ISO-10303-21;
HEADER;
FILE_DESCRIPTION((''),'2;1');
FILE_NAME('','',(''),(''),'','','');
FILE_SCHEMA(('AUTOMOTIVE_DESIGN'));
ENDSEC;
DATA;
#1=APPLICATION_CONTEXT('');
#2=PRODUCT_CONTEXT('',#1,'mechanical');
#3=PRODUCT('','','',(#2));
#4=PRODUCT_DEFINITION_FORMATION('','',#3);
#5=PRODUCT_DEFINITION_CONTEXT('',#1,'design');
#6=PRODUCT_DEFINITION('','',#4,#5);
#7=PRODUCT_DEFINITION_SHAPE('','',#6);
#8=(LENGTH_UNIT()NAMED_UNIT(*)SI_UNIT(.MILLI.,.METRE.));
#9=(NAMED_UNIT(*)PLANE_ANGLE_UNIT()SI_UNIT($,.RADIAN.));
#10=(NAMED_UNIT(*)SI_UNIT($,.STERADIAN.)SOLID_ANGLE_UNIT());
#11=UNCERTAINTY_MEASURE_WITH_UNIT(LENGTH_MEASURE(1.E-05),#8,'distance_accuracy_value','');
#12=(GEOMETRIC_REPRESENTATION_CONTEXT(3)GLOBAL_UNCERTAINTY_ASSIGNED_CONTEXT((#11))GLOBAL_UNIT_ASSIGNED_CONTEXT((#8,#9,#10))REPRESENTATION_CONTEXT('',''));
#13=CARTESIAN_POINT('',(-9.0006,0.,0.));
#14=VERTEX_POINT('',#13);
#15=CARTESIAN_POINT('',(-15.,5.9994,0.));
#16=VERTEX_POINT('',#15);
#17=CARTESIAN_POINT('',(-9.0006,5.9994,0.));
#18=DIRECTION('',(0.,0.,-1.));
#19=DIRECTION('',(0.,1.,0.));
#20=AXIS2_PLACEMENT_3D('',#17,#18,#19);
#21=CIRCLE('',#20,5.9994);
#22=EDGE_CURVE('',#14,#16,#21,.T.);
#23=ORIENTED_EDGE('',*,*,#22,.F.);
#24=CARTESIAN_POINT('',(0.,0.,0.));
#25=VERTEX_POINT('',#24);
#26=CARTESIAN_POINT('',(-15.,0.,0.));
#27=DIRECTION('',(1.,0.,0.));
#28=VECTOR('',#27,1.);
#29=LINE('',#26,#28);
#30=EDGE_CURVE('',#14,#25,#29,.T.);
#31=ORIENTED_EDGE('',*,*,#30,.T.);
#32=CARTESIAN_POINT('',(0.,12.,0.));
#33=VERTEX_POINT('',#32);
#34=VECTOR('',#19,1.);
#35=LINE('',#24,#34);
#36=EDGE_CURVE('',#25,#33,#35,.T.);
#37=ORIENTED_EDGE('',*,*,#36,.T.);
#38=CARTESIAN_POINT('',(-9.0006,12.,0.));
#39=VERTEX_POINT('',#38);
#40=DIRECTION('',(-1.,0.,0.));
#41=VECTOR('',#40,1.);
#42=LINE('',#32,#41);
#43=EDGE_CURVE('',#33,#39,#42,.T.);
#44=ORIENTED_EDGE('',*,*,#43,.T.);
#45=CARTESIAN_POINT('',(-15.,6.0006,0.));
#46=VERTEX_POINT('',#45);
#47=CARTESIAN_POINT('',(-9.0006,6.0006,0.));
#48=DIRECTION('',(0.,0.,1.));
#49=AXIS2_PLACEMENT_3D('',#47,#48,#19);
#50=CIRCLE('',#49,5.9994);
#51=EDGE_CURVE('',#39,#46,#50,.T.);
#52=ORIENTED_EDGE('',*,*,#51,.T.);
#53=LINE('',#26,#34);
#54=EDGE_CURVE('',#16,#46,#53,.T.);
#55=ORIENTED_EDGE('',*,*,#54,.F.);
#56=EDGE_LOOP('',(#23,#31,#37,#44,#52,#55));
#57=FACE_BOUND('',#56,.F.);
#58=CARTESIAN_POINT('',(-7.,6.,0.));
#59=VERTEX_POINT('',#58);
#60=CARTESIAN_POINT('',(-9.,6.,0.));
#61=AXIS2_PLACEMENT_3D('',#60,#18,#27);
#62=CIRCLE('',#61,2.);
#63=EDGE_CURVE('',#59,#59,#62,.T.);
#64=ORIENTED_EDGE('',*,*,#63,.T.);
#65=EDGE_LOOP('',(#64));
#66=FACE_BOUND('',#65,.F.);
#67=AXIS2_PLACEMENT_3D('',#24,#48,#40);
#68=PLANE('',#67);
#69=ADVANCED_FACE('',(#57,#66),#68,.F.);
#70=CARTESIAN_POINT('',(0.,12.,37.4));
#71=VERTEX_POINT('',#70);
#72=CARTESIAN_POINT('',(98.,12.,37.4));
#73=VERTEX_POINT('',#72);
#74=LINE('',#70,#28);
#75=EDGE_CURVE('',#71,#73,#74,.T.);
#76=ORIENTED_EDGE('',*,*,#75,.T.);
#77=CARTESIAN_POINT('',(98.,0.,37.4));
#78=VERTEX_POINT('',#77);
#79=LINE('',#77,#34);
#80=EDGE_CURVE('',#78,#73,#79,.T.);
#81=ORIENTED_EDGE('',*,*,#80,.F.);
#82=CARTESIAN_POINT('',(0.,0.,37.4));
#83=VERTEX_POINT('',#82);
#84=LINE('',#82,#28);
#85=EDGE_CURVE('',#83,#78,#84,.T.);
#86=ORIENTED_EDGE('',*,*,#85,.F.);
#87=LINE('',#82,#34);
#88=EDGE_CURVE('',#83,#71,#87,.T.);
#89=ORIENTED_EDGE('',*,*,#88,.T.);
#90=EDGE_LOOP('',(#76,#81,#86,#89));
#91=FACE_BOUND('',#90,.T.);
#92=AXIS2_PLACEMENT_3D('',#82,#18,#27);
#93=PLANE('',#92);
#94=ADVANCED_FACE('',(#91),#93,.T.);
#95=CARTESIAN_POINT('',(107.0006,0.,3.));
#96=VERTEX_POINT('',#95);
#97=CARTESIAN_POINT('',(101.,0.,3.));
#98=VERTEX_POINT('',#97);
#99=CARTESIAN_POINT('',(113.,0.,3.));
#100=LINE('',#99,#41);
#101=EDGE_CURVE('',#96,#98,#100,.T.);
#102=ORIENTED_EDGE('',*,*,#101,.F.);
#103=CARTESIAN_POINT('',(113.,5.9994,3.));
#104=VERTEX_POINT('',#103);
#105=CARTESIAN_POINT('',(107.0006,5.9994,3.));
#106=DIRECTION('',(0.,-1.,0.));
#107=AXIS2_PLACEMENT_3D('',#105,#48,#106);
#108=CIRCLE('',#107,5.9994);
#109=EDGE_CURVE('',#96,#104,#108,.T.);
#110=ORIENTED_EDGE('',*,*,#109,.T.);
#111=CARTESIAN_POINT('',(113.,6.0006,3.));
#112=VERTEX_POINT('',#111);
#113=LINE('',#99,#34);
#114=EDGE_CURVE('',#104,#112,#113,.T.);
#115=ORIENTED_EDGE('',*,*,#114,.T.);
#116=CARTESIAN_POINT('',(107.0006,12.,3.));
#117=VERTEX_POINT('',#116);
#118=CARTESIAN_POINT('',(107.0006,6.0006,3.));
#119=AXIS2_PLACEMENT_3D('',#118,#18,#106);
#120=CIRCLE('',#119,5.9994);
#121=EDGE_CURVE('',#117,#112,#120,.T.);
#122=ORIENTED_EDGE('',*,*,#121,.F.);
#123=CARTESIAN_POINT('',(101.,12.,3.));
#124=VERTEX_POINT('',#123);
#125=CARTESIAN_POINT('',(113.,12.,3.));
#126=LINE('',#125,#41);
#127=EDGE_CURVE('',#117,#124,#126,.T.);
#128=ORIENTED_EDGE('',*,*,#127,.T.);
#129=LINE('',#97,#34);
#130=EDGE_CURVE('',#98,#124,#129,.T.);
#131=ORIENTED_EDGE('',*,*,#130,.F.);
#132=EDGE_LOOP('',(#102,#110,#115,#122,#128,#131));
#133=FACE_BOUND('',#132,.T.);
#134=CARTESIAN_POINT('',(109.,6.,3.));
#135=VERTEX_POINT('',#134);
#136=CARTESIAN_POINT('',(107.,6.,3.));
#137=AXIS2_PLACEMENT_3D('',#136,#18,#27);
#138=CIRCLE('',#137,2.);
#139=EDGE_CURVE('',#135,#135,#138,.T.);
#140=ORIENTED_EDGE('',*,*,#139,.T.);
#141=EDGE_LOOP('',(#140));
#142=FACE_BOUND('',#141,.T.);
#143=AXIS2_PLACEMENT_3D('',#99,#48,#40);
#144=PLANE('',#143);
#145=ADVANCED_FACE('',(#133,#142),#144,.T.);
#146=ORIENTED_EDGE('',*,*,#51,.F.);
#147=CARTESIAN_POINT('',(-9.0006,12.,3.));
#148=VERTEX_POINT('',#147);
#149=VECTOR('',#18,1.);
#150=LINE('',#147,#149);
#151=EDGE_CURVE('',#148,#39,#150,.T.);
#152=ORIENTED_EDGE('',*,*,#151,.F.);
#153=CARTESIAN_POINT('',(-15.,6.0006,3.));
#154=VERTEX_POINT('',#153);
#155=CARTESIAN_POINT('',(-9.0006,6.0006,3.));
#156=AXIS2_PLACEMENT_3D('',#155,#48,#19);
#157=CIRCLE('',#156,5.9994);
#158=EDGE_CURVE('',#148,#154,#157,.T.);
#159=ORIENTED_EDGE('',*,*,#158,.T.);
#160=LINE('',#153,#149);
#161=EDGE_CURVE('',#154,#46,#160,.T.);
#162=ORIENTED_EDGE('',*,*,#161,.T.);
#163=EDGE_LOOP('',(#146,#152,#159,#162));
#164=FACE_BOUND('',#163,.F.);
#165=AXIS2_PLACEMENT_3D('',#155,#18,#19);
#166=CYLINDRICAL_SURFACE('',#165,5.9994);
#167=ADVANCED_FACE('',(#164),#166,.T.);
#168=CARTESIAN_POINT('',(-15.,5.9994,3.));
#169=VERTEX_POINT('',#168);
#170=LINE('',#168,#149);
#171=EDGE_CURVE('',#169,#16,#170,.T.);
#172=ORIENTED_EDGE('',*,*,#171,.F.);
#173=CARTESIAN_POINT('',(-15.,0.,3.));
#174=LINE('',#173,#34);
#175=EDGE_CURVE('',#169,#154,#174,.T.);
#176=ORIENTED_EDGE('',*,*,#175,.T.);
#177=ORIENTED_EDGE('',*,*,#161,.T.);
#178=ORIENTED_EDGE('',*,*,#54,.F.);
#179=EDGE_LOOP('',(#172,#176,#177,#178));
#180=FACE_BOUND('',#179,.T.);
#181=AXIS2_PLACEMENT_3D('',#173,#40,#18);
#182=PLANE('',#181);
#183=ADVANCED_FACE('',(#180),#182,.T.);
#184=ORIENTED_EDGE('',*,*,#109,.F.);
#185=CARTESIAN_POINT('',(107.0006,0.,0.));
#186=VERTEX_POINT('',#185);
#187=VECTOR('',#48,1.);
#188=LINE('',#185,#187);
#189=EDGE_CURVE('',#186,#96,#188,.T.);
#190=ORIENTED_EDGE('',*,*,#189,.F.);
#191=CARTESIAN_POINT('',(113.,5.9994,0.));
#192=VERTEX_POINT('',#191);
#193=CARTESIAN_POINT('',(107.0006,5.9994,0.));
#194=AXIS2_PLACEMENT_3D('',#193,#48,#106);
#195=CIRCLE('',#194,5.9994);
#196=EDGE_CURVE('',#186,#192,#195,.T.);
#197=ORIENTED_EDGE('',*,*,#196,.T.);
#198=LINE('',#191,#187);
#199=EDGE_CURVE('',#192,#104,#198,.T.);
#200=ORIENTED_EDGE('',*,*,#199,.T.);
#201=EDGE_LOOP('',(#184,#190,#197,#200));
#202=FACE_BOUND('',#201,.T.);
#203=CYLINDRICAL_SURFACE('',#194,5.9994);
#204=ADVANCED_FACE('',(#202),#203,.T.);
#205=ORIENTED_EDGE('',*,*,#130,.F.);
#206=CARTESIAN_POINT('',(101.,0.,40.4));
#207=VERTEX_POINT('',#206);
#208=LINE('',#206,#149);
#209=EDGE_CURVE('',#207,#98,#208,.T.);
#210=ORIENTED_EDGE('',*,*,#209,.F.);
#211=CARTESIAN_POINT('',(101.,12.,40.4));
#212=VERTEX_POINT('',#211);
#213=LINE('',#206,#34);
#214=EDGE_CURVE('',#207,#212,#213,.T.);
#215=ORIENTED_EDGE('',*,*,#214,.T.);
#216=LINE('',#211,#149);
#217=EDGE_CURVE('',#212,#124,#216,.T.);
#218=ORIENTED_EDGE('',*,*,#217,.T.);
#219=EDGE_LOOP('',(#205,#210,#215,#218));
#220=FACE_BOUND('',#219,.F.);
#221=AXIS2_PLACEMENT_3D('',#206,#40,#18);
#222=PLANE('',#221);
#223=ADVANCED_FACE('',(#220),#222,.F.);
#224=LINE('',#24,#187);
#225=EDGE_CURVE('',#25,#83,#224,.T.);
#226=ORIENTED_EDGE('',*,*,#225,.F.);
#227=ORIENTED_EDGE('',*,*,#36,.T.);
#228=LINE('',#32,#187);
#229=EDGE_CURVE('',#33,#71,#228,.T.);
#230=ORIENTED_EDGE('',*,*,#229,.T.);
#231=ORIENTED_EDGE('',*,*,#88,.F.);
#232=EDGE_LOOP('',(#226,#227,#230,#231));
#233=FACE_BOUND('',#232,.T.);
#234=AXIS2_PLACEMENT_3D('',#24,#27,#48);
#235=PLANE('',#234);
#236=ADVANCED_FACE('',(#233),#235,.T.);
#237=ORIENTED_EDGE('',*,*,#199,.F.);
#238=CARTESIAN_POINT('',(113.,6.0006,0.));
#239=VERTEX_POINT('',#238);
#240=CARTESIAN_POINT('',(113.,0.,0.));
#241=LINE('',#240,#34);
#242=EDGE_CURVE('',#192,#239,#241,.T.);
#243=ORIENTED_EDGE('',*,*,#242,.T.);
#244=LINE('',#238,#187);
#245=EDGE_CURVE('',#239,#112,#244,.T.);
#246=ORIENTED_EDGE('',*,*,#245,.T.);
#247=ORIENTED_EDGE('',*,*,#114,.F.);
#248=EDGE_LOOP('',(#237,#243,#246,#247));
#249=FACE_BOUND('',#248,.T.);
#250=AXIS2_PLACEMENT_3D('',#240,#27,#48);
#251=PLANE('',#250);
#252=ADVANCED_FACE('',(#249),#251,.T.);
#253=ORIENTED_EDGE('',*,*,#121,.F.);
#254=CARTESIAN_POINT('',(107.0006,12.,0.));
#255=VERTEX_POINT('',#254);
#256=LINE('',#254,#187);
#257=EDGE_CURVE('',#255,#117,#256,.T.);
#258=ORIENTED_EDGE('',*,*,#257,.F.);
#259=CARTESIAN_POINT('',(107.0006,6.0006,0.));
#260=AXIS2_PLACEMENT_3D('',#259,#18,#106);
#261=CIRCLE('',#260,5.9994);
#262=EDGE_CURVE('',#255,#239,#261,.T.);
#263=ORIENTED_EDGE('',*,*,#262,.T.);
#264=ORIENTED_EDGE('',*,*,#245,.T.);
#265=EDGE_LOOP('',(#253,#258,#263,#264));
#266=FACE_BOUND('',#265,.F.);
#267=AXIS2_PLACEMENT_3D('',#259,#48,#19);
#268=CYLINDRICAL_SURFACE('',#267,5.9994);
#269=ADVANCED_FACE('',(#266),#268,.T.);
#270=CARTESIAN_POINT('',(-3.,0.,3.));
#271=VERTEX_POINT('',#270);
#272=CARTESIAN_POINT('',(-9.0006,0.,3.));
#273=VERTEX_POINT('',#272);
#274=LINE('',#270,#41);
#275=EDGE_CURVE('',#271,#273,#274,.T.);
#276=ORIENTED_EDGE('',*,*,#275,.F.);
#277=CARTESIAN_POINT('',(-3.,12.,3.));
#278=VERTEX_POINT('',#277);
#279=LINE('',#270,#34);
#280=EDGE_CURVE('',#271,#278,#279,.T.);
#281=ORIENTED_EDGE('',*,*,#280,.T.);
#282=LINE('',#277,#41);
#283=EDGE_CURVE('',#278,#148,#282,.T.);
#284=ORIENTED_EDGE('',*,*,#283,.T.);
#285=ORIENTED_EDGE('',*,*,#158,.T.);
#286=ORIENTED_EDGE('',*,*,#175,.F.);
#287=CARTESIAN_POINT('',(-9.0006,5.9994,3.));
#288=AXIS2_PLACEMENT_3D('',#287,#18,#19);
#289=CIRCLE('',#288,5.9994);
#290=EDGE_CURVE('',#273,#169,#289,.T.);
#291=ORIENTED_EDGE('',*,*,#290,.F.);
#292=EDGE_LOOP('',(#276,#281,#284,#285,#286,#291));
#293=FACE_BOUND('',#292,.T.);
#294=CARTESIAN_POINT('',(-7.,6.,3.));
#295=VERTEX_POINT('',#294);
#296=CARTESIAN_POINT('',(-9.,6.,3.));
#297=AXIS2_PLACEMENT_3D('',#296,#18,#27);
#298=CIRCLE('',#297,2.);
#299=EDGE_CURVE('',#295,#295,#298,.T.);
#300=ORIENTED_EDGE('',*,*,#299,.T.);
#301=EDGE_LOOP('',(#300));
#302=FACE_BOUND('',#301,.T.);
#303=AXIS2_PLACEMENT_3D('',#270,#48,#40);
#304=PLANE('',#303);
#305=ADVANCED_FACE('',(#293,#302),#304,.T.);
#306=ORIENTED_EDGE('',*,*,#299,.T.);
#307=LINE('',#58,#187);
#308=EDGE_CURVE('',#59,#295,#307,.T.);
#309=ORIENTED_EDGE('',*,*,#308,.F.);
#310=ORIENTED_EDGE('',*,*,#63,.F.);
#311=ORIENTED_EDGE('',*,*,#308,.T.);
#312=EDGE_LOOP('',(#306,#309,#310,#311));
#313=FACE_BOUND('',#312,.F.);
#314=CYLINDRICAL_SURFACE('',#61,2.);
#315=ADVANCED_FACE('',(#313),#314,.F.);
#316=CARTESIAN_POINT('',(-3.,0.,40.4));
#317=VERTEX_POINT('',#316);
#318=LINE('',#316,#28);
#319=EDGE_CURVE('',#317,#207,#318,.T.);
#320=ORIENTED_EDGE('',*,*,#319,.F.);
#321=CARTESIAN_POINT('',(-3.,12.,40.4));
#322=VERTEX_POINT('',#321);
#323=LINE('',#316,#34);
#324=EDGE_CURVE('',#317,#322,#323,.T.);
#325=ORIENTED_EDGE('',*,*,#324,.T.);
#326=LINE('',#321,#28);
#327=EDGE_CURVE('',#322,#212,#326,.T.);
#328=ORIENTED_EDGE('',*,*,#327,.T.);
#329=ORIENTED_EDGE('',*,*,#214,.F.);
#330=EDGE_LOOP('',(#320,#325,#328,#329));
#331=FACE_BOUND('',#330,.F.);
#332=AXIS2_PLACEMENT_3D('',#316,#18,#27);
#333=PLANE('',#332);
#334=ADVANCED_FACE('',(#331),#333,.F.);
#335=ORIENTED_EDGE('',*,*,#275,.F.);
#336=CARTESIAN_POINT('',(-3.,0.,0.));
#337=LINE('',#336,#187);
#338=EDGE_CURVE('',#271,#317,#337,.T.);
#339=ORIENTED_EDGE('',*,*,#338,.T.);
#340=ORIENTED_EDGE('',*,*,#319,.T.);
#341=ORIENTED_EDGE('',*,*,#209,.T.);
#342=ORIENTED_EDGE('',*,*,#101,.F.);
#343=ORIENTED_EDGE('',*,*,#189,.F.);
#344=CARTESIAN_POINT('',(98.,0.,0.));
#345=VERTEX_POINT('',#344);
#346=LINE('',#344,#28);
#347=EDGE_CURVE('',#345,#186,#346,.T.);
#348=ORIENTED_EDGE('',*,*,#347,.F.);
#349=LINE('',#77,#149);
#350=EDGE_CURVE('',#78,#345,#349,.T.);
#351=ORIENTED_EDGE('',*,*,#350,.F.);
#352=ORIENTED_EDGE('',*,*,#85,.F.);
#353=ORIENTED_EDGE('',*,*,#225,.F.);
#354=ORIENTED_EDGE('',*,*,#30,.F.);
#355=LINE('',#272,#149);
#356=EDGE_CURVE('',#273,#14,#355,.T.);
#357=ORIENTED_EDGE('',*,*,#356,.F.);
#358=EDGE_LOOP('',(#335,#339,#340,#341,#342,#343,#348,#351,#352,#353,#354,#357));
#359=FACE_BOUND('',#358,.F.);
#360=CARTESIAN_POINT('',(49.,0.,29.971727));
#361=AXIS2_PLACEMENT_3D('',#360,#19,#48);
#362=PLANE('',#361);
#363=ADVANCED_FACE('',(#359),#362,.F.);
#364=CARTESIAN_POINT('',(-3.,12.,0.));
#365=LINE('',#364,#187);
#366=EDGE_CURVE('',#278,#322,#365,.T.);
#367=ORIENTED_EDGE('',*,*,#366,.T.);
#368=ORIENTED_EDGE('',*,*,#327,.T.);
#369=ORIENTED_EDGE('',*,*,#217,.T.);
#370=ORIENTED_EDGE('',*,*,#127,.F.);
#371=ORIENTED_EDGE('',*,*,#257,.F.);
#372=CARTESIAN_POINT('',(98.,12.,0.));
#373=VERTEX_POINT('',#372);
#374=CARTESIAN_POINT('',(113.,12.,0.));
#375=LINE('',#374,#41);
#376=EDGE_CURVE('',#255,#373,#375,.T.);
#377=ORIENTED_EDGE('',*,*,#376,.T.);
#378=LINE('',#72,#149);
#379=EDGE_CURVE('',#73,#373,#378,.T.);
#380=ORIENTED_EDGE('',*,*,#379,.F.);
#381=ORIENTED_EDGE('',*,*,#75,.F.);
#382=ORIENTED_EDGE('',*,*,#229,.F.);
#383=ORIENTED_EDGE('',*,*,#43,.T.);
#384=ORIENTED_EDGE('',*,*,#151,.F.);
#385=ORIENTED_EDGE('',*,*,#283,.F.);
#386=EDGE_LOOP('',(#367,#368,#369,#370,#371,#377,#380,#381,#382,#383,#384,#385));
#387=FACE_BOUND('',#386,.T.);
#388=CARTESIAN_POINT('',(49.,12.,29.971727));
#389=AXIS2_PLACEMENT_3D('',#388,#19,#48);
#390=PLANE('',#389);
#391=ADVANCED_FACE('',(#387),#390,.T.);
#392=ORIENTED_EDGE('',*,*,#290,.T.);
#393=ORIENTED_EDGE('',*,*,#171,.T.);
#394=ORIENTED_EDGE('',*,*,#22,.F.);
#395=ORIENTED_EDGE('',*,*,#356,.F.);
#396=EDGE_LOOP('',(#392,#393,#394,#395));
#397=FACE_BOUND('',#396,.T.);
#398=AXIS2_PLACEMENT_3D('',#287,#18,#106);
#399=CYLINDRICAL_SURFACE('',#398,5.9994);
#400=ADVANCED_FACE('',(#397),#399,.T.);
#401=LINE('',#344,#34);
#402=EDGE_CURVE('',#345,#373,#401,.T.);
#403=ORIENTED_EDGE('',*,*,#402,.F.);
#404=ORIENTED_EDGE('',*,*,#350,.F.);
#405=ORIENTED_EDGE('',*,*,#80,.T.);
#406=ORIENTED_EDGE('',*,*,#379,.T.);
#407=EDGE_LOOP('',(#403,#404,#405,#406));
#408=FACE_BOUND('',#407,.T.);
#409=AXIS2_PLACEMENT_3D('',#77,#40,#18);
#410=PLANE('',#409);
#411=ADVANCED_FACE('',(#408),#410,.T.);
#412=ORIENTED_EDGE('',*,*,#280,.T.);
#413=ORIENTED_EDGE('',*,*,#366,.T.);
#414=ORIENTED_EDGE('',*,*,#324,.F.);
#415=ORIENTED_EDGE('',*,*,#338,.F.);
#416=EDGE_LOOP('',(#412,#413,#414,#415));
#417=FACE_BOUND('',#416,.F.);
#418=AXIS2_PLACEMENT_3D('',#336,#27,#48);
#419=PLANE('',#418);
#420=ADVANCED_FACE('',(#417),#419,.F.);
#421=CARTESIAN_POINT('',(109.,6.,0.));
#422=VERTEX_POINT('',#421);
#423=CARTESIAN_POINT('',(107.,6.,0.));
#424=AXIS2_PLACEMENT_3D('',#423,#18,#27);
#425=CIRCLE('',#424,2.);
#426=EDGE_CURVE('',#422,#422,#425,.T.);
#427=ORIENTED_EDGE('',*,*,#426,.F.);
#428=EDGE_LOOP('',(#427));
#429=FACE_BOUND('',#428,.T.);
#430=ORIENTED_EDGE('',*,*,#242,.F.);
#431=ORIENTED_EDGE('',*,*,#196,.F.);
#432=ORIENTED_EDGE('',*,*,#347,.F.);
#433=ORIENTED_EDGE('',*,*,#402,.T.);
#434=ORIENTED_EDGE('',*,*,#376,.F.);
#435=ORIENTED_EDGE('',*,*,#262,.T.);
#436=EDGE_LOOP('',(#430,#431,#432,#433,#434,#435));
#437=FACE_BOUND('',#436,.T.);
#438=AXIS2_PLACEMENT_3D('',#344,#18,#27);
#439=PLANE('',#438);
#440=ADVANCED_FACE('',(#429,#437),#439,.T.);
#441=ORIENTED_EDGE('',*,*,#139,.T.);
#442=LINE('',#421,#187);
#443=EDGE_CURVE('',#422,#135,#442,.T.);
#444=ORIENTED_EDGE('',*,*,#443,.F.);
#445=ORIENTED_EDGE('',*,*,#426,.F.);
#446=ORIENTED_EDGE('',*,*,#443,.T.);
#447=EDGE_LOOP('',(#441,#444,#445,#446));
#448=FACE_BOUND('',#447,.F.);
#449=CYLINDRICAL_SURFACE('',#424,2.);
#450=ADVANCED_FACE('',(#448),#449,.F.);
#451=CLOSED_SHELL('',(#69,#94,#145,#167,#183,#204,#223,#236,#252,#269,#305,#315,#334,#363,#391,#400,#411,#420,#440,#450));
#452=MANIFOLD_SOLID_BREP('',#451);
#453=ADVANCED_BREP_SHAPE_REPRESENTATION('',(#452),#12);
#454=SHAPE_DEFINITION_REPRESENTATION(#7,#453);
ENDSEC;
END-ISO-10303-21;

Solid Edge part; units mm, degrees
sketch "Sketch1" plane through (0, 0, 0) normal (0, -1, 0) x (1, 0, 0)
  line L0 (-3, 40.4) -> (101, 40.4)
  line L1 (101, 40.4) -> (101, 0)
  line L2 (98, 0) -> (101, 0)
  line L3 (98, 37.4) -> (98, 0)
  line L4 (0, 37.4) -> (98, 37.4)
  line L5 (0, 0) -> (0, 37.4)
  line L6 (0, 0) -> (-3, 0)
  line L7 (-3, 0) -> (-3, 40.4)
  line L8 (-3, 3) -> (-15, 3)
  line L9 (-15, 3) -> (-15, 0)
  line L10 (-15, 0) -> (-3, 0)
  line L11 (-3, 0) -> (-3, 3)
  line L12 (113, 3) -> (101, 3)
  line L13 (101, 3) -> (101, 0)
  line L14 (101, 0) -> (113, 0)
  line L15 (113, 0) -> (113, 3)
  dimension "D1" = 98
  dimension "D2" = 37.4
  dimension "D3" = 3
  dimension "D4" = 12
  dimension "D5" = 3
extrude "Protrusion1" add sketch "Sketch1" against normal blind 12
fillet "Redondeo_1" radius 6 4 edges at (113, 0, 1.5) (113, 12, 1.5) (-15, 0, 1.5) (-15, 12, 1.5)
sketch "Sketch2" plane through (-7.5, 6, 0) normal (0, 0, -1) x (1, 0, 0)
  circle A0 centre (-1.5, 0) radius 2
  circle A1 centre (114.5, 0) radius 2
  dimension "D1" = 4
extrude "Cutout1" cut sketch "Sketch2" against normal up to next
